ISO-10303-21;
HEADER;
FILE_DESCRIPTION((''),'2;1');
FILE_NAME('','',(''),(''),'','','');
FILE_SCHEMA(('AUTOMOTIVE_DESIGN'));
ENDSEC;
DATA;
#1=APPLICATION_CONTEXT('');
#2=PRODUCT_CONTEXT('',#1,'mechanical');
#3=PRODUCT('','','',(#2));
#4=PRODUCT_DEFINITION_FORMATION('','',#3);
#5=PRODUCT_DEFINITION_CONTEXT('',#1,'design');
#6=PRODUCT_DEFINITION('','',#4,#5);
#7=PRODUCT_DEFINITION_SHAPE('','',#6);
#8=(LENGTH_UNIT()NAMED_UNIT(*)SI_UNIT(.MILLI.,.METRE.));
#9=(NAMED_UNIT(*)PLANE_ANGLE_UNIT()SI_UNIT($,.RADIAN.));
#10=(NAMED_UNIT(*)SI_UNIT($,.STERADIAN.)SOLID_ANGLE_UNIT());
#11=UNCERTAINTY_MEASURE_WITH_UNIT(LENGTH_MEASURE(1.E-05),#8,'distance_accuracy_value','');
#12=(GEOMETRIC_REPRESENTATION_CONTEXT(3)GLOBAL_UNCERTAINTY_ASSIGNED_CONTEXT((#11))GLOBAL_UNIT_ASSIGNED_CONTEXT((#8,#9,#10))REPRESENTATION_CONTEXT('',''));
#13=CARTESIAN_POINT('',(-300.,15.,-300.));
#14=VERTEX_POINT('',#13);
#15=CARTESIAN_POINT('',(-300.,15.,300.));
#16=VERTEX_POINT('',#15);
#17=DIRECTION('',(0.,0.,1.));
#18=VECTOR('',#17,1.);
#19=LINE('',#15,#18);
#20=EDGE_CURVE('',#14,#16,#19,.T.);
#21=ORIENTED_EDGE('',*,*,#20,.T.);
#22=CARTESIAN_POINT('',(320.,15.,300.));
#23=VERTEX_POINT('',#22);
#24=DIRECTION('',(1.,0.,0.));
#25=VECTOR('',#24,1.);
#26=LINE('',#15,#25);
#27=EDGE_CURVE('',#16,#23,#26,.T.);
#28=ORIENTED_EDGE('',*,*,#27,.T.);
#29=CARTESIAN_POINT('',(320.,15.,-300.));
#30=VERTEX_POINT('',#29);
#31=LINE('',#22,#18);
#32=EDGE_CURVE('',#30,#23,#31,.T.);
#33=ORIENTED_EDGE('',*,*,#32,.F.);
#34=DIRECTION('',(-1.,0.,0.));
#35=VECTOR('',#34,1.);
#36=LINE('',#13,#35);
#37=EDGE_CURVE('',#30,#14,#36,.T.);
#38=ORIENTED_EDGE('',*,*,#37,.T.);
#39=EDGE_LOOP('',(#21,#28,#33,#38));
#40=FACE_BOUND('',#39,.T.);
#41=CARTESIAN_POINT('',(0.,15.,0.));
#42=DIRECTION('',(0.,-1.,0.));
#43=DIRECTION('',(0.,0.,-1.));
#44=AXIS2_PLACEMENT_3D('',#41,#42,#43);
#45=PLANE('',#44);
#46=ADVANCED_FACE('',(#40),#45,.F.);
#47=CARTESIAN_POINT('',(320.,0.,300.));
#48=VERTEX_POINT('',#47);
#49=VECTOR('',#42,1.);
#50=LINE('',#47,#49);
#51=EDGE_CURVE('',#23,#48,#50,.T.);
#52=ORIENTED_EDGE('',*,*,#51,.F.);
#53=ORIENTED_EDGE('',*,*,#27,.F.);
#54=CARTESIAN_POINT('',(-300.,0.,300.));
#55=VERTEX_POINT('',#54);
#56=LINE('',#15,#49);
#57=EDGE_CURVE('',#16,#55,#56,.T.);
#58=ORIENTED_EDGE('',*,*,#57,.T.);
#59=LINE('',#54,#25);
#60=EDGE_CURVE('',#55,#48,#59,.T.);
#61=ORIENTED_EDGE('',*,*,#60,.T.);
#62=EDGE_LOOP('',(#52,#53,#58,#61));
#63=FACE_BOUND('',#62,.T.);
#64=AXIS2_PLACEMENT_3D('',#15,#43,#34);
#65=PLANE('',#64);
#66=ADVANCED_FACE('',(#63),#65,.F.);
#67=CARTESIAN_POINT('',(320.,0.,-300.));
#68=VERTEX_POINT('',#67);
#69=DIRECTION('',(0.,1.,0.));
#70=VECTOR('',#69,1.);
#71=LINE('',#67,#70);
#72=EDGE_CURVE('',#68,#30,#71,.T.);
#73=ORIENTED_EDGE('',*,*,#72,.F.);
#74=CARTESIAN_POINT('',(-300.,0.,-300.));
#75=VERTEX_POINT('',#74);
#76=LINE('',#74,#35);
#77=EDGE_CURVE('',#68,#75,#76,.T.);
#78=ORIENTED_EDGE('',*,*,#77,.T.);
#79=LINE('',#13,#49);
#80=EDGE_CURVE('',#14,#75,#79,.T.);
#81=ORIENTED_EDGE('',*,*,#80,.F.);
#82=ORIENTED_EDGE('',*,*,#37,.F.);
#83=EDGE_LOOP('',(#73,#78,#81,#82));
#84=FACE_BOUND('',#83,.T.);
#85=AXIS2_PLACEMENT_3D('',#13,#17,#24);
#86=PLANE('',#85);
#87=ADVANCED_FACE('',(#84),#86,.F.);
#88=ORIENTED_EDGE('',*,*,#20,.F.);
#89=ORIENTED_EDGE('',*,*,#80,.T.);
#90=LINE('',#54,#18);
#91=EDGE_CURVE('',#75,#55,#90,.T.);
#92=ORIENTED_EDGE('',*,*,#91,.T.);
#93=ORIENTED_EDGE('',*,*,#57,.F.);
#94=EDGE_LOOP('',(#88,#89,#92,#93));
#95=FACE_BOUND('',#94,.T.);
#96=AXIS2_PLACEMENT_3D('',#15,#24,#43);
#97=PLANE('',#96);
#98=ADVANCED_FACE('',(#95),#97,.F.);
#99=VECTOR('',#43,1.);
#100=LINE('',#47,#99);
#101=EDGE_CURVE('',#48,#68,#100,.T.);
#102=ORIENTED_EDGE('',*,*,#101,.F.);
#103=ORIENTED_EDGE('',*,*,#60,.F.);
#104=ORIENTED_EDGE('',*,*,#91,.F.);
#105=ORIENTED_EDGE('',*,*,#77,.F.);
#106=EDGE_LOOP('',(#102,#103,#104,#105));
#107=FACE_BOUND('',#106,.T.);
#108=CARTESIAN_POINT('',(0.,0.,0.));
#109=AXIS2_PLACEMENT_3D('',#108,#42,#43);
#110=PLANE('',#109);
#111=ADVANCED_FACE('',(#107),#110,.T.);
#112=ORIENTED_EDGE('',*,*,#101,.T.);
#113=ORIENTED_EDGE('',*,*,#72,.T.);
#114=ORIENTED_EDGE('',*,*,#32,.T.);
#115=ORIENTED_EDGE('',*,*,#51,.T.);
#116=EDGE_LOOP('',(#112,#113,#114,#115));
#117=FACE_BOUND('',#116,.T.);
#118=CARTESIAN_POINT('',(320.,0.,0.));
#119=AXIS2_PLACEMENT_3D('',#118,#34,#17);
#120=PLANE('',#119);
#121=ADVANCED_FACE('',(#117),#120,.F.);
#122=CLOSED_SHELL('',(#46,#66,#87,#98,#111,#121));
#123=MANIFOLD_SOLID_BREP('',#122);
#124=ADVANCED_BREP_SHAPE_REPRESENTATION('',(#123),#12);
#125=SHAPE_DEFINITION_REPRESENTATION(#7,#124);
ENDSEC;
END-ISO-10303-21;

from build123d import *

# Parameters (mm, degrees)
ESBO_O1_W                = 600
ESBO_O1_H                = 600
RESSALTO_EXTRUS_O1_DEPTH = 15
SKETCH1_W                = 600
SKETCH1_H                = 15
BOSS_EXTRUDE1_DEPTH      = 20


with BuildPart() as part:
    # Esboço1 → Ressalto-extrusão1 (new body)
    with BuildSketch(Plane(origin=(0, 0, 0), x_dir=(1, 0, 0), z_dir=(0, 1, 0))):
        Rectangle(ESBO_O1_W, ESBO_O1_H)
    extrude(amount=RESSALTO_EXTRUS_O1_DEPTH)

    # Sketch1 → Boss-Extrude1 (add)
    with BuildSketch(Plane(origin=(300, 0, 0), x_dir=(0, 0, -1), z_dir=(1, 0, 0))):
        with Locations((0, 7.5)):
            Rectangle(SKETCH1_W, SKETCH1_H)
    extrude(amount=BOSS_EXTRUDE1_DEPTH)


solid = part.part
